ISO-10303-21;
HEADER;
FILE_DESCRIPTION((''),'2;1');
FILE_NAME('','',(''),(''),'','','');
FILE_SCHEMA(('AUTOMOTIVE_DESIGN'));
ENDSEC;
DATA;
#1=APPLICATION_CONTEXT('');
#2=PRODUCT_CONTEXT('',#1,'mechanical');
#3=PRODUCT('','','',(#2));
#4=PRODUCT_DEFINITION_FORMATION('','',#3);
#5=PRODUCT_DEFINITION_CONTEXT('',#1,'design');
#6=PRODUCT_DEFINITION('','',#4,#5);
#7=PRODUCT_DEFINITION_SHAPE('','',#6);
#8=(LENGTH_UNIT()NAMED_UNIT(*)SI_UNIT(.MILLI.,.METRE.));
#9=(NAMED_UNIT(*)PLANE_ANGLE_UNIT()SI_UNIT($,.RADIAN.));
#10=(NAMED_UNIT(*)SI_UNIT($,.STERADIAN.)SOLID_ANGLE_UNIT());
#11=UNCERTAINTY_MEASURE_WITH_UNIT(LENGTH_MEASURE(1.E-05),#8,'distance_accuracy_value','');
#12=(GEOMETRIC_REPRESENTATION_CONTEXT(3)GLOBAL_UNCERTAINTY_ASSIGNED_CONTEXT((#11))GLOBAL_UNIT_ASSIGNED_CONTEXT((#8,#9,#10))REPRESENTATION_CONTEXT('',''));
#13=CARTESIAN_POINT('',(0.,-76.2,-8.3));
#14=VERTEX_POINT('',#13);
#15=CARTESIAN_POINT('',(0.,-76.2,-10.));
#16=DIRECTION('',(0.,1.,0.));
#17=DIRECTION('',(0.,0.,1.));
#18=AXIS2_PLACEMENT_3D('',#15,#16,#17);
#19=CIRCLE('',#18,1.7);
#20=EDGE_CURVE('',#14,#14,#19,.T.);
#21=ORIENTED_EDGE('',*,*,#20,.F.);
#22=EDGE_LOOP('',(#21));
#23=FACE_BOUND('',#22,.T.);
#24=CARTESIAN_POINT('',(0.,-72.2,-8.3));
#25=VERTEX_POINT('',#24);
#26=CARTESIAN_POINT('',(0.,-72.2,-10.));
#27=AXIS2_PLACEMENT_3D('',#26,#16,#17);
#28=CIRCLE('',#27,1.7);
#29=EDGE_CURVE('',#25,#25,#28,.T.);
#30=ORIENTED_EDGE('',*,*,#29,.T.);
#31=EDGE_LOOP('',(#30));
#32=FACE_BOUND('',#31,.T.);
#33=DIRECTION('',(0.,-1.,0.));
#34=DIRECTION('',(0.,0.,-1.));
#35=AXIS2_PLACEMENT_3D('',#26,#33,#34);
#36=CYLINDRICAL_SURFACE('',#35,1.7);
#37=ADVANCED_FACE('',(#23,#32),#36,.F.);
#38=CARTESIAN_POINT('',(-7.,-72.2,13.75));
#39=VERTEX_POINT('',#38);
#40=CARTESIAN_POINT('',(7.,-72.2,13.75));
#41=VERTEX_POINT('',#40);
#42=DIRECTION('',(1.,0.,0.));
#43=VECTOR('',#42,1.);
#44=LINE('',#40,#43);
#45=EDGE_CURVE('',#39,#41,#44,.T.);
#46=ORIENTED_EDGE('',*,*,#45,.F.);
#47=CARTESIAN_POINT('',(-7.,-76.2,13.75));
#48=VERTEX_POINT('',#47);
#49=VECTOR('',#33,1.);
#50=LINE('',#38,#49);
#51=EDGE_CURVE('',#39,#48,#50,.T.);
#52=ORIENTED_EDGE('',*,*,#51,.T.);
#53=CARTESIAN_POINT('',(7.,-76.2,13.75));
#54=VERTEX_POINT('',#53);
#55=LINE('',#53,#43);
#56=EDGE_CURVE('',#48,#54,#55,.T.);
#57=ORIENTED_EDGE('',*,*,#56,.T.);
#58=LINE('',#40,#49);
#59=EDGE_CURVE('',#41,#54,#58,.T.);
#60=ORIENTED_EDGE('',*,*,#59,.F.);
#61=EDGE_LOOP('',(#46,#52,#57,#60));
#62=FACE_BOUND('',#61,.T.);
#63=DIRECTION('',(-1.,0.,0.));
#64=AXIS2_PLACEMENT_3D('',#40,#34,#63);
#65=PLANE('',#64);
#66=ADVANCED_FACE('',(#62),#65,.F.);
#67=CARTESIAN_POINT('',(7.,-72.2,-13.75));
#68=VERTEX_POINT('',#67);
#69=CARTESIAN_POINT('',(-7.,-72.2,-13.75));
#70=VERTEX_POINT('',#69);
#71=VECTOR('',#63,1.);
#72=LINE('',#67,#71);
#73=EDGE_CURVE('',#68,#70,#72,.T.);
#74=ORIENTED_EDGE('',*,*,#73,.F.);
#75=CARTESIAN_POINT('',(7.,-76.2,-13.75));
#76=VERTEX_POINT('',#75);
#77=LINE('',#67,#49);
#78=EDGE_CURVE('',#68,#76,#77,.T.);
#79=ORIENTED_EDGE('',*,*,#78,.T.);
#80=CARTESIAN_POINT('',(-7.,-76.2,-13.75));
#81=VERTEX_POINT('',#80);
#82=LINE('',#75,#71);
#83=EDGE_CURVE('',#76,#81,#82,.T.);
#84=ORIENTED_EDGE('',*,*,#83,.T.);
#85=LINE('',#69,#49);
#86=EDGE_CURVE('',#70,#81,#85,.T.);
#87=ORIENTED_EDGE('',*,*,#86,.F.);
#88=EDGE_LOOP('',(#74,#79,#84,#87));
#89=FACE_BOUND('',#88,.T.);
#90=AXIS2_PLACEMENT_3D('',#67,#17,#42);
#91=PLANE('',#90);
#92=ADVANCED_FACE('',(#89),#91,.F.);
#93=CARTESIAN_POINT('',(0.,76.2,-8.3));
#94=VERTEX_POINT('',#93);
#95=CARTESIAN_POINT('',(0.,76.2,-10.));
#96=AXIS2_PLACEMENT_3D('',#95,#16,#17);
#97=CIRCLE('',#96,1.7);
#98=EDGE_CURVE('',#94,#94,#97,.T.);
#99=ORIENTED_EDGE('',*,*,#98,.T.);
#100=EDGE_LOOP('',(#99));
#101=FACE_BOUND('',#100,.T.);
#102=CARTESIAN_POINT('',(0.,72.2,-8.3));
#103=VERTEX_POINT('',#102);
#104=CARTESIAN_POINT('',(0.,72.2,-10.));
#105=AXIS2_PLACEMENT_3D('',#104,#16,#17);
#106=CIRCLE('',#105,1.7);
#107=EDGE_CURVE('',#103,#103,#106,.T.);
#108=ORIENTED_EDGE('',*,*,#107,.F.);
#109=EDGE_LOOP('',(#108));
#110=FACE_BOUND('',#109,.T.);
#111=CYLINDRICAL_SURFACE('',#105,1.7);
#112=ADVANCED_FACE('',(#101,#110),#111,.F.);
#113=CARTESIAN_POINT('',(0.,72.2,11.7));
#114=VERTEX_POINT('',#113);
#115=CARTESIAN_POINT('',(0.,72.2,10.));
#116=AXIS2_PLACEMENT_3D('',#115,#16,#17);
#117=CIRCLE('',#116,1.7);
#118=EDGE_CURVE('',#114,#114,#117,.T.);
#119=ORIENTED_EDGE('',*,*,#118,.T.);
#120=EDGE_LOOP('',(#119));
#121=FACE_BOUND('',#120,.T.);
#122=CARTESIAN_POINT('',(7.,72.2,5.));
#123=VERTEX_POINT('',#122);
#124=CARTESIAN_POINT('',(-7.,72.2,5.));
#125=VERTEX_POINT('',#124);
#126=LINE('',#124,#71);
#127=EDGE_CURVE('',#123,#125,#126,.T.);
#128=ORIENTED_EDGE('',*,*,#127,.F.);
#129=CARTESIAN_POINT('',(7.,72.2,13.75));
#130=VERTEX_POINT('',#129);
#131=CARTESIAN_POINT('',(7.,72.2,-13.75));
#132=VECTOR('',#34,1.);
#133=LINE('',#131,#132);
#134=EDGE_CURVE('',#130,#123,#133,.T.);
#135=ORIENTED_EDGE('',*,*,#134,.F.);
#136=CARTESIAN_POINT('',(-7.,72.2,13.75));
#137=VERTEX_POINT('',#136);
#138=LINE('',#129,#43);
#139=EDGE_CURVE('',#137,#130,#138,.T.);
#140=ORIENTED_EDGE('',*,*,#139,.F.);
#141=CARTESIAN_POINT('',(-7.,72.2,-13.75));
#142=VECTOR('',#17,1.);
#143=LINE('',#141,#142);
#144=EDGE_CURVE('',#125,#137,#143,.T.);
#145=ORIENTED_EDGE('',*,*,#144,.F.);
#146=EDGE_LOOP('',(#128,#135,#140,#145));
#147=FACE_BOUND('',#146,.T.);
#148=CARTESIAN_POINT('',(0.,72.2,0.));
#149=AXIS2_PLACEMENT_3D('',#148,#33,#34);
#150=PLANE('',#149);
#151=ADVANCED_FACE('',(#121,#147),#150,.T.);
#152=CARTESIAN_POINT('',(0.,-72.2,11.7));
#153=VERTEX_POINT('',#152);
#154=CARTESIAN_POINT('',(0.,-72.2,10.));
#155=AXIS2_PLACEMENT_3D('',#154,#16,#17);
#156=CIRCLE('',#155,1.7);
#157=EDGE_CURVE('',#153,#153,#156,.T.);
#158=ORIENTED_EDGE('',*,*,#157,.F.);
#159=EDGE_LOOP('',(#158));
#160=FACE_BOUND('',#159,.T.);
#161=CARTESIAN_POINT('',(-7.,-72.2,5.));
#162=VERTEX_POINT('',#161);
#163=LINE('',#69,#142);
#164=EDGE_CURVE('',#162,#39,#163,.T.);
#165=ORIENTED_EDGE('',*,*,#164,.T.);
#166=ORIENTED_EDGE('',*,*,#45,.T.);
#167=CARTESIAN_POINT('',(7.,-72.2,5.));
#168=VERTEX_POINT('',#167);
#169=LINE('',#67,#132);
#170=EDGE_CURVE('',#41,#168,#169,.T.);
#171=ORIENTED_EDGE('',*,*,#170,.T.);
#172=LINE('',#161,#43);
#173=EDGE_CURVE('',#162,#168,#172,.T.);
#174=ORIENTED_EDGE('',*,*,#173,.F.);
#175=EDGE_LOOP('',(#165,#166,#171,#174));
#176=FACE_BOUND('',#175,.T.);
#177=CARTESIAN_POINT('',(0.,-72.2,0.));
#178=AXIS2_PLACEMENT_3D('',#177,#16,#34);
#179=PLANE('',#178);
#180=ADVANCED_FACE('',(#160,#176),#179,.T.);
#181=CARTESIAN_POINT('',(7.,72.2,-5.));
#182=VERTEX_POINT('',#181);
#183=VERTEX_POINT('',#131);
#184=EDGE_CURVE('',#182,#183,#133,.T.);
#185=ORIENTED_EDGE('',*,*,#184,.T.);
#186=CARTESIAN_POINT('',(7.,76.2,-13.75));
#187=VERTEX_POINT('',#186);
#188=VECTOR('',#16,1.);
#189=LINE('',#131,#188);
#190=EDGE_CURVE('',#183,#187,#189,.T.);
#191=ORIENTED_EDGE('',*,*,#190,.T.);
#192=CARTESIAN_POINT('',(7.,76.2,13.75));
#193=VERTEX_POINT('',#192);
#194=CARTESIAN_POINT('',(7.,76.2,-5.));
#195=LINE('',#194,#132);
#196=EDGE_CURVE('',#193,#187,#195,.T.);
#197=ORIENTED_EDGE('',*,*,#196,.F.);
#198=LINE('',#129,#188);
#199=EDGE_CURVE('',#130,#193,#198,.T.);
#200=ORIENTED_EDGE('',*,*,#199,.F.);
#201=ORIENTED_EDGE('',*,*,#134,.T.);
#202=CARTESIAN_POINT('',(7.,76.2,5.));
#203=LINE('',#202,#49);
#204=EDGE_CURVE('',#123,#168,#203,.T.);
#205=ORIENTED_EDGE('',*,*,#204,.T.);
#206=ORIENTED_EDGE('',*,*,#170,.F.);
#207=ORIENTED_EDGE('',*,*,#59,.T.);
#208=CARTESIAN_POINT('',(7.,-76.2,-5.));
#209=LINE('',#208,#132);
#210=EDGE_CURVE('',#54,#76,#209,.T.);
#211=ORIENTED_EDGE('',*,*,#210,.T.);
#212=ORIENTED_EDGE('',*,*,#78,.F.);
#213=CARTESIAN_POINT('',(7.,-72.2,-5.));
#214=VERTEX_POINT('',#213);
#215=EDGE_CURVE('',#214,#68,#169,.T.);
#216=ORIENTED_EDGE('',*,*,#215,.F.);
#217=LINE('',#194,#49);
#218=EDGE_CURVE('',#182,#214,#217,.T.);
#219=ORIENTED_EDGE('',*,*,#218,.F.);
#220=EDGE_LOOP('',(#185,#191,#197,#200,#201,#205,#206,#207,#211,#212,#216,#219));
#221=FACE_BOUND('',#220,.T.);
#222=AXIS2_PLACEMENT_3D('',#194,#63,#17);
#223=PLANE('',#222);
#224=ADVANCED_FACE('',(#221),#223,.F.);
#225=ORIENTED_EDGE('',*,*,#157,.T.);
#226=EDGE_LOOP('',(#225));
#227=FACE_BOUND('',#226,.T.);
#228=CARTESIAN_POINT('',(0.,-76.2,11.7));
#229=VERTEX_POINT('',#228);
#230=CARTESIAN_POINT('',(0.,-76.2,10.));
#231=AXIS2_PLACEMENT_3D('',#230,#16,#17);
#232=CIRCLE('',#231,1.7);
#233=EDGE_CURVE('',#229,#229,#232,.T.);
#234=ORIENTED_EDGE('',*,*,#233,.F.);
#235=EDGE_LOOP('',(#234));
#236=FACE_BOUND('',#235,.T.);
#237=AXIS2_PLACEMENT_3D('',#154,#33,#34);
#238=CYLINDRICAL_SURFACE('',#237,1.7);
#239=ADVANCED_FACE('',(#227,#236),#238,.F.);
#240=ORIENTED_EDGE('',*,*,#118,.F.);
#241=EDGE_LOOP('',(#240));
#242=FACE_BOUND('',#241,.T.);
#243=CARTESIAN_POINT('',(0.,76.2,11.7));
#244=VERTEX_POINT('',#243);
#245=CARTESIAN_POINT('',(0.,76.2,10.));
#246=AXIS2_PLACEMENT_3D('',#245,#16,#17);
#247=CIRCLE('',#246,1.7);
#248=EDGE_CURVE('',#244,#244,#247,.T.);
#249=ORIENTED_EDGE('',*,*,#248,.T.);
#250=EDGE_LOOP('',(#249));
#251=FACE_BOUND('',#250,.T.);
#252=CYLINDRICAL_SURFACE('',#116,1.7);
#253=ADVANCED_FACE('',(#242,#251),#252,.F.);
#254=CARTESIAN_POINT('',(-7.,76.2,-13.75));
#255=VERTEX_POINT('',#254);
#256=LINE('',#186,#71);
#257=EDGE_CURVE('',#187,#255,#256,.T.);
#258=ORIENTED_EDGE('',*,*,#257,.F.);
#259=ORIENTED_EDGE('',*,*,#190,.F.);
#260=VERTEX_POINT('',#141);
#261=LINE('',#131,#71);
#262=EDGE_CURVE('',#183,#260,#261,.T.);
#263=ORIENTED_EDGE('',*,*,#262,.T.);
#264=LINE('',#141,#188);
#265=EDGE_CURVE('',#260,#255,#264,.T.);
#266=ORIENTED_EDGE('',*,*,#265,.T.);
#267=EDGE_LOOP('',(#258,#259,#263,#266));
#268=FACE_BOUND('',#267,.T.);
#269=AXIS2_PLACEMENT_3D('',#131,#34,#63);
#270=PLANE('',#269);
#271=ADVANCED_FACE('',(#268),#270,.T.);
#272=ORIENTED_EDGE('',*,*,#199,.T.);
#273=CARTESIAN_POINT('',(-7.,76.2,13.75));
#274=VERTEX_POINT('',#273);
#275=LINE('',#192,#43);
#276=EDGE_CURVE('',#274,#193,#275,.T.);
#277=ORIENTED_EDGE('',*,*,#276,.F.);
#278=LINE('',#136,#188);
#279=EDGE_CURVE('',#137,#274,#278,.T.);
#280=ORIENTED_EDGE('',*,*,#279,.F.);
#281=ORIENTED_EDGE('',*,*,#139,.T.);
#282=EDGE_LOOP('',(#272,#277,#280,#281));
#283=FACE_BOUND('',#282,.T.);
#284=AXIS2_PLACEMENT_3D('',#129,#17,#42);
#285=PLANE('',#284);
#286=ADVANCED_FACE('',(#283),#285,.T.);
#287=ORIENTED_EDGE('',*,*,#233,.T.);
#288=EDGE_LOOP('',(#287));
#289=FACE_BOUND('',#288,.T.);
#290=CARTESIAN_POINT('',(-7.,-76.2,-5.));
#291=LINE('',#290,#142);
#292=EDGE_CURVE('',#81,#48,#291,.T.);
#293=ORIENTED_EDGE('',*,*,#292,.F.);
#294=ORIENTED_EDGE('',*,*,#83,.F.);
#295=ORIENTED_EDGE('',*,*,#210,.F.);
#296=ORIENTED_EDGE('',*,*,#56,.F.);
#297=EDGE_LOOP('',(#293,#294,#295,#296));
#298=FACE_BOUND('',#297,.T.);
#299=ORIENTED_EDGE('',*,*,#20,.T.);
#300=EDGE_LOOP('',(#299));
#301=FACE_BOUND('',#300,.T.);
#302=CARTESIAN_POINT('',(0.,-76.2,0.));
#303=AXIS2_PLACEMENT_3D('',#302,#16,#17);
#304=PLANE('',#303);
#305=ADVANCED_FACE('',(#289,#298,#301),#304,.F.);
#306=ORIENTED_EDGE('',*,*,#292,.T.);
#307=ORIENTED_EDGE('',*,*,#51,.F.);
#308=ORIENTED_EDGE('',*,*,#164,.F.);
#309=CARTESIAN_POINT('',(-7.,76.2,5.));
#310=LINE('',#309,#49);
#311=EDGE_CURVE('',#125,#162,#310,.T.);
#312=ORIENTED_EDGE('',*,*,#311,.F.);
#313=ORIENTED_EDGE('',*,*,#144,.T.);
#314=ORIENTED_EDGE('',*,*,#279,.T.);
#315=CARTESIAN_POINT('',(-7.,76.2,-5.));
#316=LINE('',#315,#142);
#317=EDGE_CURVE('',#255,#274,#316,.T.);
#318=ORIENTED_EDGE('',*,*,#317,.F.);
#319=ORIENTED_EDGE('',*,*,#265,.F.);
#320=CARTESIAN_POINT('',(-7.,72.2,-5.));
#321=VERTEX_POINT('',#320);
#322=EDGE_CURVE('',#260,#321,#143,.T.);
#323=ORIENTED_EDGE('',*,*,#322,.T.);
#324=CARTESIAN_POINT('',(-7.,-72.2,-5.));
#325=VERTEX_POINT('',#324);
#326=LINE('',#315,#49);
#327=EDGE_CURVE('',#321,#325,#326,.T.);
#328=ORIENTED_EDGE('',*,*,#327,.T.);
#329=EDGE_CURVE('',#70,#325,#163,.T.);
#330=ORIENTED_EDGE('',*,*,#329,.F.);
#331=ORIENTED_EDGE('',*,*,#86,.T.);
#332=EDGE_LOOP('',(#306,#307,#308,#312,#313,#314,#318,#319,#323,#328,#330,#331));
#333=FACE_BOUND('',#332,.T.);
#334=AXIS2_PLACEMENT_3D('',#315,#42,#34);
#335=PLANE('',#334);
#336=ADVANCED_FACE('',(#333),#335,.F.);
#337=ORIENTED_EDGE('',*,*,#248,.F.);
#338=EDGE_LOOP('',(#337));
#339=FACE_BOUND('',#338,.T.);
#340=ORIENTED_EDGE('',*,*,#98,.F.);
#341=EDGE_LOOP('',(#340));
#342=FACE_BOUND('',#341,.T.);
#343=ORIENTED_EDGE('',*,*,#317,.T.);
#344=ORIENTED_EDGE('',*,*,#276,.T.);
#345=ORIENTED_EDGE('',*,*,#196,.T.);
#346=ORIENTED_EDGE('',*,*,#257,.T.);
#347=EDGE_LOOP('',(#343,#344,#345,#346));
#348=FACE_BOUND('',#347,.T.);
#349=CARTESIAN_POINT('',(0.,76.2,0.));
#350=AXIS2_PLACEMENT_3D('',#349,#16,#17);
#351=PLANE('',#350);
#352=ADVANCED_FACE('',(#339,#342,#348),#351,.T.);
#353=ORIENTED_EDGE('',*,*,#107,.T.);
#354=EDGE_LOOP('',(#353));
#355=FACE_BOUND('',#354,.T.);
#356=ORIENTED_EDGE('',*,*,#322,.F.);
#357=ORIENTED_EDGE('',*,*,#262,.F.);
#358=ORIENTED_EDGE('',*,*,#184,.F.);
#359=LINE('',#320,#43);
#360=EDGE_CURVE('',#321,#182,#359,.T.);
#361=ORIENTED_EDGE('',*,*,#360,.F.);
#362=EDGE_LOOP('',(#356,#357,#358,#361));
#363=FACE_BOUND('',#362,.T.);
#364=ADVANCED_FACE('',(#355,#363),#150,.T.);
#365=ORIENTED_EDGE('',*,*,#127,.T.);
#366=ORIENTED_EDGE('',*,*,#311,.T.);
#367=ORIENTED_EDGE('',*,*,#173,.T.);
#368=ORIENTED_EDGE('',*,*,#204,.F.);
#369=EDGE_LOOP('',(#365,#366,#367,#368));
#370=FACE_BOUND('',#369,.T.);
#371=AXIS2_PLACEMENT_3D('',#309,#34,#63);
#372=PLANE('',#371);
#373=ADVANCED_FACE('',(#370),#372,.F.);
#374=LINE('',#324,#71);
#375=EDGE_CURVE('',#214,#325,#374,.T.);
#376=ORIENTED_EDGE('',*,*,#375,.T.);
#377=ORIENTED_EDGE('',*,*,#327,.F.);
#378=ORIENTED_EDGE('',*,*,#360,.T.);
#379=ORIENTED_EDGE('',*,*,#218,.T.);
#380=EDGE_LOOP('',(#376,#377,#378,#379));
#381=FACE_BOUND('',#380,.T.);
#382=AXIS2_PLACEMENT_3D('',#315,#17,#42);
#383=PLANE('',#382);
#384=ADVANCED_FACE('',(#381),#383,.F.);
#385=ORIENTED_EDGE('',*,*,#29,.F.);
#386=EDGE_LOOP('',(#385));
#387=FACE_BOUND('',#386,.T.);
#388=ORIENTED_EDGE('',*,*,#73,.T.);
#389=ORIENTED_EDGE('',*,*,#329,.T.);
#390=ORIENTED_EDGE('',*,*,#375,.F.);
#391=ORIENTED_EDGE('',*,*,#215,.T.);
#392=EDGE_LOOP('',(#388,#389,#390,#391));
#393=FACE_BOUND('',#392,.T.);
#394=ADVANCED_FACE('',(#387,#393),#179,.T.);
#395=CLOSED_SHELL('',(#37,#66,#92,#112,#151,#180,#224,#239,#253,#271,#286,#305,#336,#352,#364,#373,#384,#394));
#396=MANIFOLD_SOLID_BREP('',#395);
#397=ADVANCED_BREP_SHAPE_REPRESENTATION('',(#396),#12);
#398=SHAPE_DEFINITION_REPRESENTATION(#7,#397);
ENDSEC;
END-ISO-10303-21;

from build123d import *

# Parameters (mm, degrees)
SKETCH1_W           = 14
SKETCH1_H           = 10
BOSS_EXTRUDE1_DEPTH = 76.2
SKETCH3_W           = 14
SKETCH3_H           = 27.5
SKETCH3_R           = 1.7
BOSS_EXTRUDE3_DEPTH = 4


with BuildPart() as part:
    # Sketch1 → Boss-Extrude1 (new, symmetric)
    with BuildSketch(Plane(origin=(0, 0, 0), x_dir=(1, 0, 0), z_dir=(0, 1, 0))):
        Rectangle(SKETCH1_W, SKETCH1_H)
    extrude(amount=BOSS_EXTRUDE1_DEPTH, both=True)

    # Sketch3 → Boss-Extrude3 (add)
    with BuildSketch(Plane(origin=(0, 76.2, 0), x_dir=(1, 0, 0), z_dir=(0, 1, 0))):
        Rectangle(SKETCH3_W, SKETCH3_H)
        with Locations(Location((0, 10, 0), (0, 0, 270))):
            Circle(SKETCH3_R, mode=Mode.SUBTRACT)
        with Locations(Location((0, -10, 0), (0, 0, 270))):
            Circle(SKETCH3_R, mode=Mode.SUBTRACT)
    boss_extrude3 = extrude(amount=-BOSS_EXTRUDE3_DEPTH)

    # Mirror1: Boss-Extrude3 across plane
    add(boss_extrude3.mirror(Plane.ZX))


solid = part.part
